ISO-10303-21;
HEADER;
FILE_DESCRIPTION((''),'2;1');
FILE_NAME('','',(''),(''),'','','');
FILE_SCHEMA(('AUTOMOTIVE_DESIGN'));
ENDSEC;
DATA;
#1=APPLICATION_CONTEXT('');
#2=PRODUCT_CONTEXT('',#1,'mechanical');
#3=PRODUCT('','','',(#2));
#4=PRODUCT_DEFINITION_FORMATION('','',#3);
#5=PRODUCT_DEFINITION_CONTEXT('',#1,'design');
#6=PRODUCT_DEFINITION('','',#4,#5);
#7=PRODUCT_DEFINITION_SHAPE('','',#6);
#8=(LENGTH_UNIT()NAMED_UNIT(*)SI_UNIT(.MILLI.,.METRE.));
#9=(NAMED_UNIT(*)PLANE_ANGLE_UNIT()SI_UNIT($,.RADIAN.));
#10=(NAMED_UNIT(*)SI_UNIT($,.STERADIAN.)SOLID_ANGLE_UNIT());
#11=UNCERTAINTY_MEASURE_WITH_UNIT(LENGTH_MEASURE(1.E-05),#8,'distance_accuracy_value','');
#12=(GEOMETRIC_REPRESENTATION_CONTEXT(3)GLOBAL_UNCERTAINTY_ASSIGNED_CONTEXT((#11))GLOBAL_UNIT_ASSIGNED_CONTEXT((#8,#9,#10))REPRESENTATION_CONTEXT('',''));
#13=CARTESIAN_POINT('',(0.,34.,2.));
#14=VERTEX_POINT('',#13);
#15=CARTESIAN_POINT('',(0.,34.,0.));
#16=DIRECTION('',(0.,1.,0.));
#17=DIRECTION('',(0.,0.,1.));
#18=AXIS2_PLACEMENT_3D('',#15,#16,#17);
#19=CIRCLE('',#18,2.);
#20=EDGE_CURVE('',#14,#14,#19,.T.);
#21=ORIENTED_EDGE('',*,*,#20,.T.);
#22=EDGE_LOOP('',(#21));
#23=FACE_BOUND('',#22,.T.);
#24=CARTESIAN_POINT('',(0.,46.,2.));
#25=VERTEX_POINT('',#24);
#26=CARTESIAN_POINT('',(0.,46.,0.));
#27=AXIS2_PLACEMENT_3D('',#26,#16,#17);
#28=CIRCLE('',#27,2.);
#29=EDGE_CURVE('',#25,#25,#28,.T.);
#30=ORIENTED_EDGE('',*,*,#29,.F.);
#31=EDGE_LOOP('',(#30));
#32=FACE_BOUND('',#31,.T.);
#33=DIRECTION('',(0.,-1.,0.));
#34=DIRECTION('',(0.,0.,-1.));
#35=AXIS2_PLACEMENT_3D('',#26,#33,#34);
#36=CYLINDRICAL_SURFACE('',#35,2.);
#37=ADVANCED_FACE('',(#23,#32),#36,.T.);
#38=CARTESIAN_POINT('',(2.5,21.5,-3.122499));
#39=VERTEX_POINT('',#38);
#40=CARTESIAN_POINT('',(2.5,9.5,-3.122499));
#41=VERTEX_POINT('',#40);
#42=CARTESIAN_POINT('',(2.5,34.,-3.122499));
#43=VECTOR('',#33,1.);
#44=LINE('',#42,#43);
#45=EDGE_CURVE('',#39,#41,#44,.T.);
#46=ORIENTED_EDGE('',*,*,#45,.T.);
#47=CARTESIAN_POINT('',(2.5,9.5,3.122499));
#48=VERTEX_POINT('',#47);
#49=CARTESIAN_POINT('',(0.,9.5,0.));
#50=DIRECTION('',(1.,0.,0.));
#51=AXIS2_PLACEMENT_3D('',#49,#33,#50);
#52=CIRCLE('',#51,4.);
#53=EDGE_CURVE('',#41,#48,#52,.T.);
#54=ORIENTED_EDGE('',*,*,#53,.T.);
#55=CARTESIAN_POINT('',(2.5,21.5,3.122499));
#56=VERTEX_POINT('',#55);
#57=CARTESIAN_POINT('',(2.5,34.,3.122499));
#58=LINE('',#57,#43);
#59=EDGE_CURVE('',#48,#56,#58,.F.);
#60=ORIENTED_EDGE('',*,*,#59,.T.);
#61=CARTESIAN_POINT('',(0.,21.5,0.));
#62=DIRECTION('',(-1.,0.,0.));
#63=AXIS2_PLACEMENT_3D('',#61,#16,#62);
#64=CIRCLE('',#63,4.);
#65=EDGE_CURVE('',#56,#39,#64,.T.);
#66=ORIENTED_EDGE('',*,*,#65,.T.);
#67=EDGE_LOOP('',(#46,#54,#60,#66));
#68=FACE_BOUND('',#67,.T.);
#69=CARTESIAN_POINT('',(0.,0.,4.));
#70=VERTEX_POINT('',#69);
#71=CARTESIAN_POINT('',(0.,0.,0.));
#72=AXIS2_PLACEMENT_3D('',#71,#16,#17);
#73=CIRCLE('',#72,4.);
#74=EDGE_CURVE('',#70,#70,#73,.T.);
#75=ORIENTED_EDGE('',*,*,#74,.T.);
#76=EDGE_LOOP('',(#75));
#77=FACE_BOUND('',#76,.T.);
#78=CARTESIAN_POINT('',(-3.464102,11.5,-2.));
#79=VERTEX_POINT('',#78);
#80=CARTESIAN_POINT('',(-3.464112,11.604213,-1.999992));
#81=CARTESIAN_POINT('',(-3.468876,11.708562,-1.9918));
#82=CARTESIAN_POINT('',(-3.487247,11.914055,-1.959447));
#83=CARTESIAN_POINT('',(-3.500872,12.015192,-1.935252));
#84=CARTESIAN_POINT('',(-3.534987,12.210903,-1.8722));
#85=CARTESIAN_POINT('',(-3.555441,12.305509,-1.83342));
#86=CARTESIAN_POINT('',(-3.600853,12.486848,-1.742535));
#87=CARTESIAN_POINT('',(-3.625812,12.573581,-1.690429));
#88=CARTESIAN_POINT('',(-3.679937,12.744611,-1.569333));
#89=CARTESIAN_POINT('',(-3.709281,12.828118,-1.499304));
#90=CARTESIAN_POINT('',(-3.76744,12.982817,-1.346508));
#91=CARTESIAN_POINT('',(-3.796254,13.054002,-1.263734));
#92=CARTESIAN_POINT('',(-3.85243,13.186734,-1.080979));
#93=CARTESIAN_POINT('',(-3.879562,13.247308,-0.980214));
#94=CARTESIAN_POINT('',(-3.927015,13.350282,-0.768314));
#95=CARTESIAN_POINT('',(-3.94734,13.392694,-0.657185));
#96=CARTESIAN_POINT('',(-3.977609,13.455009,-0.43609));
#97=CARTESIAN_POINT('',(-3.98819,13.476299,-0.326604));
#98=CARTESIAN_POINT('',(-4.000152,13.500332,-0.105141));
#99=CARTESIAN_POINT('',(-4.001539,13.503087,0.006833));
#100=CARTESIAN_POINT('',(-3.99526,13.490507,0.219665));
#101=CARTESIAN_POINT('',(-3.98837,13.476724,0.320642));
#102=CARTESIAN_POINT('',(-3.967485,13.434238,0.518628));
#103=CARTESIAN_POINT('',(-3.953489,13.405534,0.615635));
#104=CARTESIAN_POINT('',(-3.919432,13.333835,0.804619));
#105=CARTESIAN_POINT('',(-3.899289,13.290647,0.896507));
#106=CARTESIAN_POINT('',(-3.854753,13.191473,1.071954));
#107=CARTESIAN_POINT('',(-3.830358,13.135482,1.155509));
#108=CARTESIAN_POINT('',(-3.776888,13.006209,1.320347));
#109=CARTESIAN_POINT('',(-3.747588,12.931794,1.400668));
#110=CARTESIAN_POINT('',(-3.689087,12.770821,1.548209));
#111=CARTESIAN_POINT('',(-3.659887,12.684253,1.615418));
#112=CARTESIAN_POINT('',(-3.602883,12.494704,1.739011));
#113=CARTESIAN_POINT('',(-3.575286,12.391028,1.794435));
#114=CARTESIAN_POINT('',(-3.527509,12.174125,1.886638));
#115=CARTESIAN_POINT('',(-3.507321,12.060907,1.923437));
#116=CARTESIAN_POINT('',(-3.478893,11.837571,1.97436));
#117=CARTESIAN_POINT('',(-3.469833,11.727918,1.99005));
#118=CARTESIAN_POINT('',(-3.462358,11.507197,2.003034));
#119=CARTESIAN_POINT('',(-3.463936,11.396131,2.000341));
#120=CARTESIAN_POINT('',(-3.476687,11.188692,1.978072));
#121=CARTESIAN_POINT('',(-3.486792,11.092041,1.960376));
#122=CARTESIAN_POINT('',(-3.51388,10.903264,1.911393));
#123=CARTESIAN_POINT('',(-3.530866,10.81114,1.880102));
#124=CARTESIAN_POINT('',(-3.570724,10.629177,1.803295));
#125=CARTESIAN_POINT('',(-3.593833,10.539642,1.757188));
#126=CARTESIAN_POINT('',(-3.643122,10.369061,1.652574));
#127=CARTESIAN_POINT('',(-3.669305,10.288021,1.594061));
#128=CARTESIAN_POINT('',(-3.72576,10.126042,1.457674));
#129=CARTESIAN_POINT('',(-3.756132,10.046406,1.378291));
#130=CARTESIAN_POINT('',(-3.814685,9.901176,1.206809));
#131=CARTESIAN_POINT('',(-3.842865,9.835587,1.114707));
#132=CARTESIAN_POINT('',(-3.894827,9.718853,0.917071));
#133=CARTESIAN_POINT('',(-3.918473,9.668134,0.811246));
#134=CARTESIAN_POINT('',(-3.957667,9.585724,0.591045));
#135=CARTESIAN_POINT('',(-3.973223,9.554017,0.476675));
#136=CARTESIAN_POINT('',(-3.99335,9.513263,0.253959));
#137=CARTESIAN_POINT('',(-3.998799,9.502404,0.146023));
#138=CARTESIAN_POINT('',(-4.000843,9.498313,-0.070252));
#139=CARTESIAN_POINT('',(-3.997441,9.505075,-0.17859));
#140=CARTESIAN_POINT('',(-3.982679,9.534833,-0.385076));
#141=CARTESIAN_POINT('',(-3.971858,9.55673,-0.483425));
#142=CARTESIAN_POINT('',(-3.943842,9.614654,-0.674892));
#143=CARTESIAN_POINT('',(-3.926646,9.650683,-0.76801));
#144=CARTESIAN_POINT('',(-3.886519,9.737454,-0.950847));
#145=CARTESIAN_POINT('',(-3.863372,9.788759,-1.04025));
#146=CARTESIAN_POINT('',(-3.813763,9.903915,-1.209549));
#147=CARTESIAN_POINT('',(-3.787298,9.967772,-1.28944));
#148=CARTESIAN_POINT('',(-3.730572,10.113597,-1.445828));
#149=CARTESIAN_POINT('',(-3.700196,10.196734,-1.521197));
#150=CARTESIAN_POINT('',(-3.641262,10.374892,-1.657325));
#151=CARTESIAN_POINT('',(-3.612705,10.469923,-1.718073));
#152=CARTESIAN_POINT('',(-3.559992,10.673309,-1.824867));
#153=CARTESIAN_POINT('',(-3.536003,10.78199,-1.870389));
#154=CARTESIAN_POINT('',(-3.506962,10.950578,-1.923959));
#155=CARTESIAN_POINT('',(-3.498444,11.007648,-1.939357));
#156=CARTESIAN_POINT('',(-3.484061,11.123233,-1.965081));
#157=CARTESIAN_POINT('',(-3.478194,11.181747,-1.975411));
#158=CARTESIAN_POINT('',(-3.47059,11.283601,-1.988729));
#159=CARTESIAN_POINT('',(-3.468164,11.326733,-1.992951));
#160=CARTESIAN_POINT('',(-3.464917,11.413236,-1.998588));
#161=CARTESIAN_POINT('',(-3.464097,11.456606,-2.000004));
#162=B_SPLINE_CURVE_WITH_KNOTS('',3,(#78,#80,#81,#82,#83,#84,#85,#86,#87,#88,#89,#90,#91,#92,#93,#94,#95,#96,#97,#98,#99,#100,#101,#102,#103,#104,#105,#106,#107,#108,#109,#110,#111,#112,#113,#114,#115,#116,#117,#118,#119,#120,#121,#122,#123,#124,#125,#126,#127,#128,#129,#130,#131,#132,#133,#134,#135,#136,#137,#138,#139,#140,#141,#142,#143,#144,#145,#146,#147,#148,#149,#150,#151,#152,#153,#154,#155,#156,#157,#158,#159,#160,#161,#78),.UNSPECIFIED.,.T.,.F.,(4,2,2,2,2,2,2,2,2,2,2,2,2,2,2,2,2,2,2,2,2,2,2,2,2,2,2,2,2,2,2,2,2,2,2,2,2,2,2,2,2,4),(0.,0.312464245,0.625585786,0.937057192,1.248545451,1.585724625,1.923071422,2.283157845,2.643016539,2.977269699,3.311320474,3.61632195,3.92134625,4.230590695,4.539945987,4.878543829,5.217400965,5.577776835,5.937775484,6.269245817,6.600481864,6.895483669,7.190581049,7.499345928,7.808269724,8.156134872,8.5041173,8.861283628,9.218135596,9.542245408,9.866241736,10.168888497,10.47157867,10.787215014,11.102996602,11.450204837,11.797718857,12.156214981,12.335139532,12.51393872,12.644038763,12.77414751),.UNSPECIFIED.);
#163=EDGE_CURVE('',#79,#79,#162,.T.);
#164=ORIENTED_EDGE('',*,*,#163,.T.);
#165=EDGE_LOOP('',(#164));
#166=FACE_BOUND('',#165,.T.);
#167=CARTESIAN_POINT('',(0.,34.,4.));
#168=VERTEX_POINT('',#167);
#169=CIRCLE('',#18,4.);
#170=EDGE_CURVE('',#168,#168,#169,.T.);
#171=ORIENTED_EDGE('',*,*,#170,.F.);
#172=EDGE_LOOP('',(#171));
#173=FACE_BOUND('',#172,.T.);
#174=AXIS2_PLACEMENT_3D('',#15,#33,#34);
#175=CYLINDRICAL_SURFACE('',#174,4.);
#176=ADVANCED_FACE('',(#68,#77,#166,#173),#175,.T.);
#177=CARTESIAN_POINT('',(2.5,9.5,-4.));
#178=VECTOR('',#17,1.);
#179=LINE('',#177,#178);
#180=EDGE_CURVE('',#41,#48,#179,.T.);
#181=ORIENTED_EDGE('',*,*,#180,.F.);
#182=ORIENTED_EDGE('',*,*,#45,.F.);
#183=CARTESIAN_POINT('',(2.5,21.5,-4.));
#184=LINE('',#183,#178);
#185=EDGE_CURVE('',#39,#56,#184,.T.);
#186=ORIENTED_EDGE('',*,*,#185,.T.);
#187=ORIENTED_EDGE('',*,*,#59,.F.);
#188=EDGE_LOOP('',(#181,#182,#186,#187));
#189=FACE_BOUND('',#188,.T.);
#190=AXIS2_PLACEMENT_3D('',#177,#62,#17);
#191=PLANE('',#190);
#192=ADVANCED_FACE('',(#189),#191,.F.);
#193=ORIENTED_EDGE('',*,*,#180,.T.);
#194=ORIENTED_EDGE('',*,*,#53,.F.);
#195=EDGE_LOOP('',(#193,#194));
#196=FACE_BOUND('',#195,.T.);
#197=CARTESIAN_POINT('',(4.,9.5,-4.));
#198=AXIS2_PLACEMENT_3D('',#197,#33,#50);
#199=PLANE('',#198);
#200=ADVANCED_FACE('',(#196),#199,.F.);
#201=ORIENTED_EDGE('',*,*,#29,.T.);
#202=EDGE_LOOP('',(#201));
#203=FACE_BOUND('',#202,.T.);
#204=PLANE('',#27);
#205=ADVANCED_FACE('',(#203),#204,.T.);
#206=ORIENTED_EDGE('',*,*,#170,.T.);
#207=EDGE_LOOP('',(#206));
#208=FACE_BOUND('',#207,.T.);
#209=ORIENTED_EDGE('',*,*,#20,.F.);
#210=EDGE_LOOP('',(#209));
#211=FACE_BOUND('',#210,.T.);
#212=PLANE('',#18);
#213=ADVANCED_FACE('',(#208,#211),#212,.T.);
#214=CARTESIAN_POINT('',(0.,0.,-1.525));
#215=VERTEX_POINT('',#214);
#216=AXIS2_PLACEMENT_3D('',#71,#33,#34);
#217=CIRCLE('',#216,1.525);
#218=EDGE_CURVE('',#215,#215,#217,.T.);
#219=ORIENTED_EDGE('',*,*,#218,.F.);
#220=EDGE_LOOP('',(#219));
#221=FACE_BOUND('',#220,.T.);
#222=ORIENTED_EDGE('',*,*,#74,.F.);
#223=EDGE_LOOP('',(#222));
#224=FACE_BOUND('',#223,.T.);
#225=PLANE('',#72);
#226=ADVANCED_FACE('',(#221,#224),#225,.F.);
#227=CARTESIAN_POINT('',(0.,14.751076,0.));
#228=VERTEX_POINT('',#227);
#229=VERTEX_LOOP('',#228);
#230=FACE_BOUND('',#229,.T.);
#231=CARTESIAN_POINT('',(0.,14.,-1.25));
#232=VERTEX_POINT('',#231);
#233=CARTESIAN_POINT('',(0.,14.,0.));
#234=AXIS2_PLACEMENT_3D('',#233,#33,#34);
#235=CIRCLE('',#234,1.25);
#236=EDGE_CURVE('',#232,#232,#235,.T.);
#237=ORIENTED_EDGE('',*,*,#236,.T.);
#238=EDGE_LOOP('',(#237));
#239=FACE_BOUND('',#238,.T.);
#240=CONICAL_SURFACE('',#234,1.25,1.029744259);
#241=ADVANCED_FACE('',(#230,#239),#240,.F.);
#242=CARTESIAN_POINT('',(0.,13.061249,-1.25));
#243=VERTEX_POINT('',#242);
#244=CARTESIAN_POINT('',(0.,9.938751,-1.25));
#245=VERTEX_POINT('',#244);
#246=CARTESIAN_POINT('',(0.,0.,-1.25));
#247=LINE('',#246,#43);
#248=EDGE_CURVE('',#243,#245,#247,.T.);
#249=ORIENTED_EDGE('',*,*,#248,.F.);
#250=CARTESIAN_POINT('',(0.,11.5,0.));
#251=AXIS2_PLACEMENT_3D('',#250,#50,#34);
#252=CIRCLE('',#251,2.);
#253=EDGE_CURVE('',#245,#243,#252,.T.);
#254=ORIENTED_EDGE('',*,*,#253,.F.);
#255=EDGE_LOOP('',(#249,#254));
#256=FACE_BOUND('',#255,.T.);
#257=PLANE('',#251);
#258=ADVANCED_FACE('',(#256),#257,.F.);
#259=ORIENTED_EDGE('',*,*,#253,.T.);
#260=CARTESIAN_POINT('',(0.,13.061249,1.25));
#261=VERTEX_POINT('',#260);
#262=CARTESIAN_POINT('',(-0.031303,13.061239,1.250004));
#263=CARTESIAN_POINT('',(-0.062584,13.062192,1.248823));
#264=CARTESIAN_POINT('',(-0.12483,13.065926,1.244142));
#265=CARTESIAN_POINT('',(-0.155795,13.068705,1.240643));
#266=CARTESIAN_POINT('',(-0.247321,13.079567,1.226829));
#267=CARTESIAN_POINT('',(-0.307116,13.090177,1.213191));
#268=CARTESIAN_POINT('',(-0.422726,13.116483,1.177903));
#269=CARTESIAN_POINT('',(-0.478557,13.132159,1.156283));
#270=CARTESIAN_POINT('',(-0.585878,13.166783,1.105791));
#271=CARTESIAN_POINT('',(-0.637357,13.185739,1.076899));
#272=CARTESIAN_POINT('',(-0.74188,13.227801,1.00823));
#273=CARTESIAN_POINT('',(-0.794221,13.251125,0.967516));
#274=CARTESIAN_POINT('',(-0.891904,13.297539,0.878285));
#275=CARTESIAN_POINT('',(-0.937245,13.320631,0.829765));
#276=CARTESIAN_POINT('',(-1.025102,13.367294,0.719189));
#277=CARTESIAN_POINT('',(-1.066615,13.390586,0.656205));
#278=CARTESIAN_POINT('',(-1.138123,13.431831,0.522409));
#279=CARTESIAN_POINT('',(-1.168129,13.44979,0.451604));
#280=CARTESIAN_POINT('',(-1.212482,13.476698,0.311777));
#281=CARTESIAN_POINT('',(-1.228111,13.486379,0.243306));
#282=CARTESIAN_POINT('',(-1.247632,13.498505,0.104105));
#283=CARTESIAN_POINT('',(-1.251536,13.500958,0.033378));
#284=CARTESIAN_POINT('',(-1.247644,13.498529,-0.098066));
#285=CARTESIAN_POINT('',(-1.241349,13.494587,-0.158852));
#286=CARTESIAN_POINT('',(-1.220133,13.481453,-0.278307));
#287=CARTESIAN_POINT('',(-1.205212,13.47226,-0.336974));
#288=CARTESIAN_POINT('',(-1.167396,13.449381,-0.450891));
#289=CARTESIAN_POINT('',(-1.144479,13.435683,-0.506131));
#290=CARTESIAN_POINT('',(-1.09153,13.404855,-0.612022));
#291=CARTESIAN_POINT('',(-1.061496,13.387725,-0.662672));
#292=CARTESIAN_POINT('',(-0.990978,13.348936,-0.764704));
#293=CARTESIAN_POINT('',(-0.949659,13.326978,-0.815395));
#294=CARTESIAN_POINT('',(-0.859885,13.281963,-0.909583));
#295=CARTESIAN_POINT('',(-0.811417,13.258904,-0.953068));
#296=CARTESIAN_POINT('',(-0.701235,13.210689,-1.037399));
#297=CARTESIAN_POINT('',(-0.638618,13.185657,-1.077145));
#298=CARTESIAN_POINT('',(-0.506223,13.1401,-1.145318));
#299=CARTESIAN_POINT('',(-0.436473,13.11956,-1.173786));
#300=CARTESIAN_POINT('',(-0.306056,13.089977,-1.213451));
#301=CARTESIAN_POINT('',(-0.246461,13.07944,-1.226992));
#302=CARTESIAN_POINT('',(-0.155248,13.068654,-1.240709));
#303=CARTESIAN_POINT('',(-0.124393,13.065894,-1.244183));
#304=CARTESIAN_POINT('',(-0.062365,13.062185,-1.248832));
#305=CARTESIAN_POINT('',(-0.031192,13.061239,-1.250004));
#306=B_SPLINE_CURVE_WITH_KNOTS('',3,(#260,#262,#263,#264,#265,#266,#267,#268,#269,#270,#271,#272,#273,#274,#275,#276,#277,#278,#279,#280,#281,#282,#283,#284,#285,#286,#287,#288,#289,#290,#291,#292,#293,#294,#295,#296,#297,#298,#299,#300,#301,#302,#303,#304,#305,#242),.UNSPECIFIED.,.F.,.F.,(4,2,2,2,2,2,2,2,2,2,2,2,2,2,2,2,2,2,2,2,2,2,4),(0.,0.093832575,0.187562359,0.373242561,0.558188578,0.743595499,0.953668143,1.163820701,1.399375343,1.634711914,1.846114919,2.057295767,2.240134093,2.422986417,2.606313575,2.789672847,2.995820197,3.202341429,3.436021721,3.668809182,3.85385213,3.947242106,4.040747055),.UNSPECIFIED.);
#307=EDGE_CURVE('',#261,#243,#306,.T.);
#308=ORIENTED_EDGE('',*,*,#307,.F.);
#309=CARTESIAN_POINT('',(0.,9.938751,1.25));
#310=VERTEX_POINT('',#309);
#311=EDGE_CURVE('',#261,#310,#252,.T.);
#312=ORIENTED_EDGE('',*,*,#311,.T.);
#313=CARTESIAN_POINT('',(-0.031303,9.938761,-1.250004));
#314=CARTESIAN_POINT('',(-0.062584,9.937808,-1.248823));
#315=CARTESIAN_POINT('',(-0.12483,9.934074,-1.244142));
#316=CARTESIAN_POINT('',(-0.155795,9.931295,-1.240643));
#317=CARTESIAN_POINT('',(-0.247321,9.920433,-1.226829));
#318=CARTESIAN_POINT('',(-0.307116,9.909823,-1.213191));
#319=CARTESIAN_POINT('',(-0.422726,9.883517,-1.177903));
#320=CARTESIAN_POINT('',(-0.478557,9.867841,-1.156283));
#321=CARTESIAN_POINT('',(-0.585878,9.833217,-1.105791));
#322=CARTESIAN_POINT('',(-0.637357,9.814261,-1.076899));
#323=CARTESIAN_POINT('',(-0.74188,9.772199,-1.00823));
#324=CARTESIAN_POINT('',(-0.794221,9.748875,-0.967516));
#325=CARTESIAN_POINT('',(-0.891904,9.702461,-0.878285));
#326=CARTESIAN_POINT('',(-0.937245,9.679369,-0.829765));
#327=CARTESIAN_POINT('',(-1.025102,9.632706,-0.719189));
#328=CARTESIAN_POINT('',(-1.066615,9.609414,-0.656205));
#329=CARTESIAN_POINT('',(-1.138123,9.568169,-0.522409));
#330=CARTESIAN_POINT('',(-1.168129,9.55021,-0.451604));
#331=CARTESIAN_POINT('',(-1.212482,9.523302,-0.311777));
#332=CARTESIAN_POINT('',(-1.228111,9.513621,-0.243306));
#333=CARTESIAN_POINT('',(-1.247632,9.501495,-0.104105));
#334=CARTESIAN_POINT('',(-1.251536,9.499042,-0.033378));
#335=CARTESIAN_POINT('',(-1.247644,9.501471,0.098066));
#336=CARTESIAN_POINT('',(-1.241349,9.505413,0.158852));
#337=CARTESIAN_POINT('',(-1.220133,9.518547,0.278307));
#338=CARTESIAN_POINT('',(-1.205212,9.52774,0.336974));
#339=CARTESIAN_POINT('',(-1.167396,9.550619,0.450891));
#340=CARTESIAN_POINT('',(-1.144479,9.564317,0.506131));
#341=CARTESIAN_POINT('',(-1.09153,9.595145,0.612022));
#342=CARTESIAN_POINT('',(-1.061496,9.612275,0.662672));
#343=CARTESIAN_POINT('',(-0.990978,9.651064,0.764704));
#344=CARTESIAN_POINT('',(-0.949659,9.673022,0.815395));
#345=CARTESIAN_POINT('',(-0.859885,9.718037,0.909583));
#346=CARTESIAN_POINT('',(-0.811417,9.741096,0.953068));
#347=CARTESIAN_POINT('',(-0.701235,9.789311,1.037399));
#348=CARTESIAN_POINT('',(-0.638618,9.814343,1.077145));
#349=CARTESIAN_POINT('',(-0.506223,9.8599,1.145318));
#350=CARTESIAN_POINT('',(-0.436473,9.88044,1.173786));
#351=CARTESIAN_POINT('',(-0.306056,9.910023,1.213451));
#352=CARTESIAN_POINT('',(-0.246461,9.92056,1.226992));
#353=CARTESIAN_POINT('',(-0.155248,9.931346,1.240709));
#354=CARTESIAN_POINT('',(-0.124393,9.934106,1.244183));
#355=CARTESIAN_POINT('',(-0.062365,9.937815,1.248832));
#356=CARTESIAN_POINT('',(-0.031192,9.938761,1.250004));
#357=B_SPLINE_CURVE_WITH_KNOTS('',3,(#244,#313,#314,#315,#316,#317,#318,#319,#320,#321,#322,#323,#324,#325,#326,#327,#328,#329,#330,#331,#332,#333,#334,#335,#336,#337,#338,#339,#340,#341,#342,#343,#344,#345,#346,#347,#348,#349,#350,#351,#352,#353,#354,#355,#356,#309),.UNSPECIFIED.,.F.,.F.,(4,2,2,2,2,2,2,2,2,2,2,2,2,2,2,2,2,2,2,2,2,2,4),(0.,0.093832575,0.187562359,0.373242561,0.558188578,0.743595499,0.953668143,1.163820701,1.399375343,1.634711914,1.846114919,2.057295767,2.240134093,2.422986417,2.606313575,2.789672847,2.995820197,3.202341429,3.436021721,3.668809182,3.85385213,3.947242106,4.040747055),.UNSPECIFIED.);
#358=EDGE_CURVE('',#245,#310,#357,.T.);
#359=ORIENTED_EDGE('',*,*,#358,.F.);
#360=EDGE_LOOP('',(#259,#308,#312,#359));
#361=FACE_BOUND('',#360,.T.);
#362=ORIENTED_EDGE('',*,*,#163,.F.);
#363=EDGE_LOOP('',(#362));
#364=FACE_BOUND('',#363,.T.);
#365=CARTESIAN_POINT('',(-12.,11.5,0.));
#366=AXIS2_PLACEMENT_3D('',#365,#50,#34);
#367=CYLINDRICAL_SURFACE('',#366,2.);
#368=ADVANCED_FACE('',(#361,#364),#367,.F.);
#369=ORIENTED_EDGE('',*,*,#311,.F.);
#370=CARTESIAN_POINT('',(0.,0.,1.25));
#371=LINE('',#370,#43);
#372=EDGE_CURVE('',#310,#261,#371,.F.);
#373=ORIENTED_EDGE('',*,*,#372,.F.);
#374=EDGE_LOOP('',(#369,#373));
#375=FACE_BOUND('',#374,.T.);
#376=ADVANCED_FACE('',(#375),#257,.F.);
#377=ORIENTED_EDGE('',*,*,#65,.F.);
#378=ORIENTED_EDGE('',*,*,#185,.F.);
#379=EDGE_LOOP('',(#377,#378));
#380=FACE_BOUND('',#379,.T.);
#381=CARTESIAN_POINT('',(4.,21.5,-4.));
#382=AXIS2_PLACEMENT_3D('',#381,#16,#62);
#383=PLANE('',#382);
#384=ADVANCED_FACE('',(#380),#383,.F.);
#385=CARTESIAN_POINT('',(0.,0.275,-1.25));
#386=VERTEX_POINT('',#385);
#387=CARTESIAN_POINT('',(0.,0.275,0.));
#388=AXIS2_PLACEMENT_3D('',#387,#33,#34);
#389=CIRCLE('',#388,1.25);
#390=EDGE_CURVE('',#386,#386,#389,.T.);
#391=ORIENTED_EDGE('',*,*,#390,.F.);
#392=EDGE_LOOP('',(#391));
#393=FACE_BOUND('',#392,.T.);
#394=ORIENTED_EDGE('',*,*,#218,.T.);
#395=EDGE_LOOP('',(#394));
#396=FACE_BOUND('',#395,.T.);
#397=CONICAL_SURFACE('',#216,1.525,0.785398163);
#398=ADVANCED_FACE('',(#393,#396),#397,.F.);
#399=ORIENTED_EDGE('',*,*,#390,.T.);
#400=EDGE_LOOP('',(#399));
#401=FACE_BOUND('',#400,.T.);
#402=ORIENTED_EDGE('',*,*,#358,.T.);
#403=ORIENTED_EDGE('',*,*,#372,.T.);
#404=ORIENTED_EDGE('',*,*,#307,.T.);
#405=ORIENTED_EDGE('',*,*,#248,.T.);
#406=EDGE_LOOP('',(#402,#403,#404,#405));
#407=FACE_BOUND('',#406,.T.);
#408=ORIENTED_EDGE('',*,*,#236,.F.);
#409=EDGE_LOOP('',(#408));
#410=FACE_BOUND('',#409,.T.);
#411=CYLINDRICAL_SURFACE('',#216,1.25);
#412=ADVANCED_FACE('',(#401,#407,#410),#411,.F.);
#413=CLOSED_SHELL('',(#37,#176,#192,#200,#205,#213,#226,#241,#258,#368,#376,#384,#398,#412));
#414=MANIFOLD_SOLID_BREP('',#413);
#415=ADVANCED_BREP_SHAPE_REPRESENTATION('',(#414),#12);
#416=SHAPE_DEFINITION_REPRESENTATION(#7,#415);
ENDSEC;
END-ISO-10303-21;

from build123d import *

# Parameters (mm, degrees)
SKETCH1_R                   = 4
BOSS_EXTRUDE1_DEPTH         = 34
SKETCH2_R                   = 2
BOSS_EXTRUDE2_DEPTH         = 12
SKETCH3_W                   = 1.5
SKETCH3_H                   = 12
CUT_EXTRUDE1_DEPTH          = 5
CUT_EXTRUDE1_DEPTH_BACK     = 5
M3_TAPPED_HOLE1_D           = 2.5
M3_TAPPED_HOLE1_DEPTH       = 14
M3_TAPPED_HOLE1_CSINK_D     = 3.05
M3_TAPPED_HOLE1_CSINK_ANGLE = 90
M3_TAPPED_HOLE1_TIP         = 0.751075774
SKETCH7_R                   = 2
CUT_EXTRUDE2_DEPTH          = 12


with BuildPart() as part:
    # Sketch1 → Boss-Extrude1 (new body)
    with BuildSketch(Plane(origin=(0, 0, 0), x_dir=(1, 0, 0), z_dir=(0, 1, 0))):
        Circle(SKETCH1_R)
    extrude(amount=BOSS_EXTRUDE1_DEPTH)

    # Sketch2 → Boss-Extrude2 (add)
    with BuildSketch(Plane(origin=(0, 34, 0), x_dir=(1, 0, 0), z_dir=(0, 1, 0))):
        Circle(SKETCH2_R)
    extrude(amount=BOSS_EXTRUDE2_DEPTH)

    # Sketch3 → Cut-Extrude1 (cut, two sides)
    with BuildSketch(Plane.XY) as cut_extrude1_sk:
        with Locations((3.25, 15.5)):
            Rectangle(SKETCH3_W, SKETCH3_H)
    extrude(amount=CUT_EXTRUDE1_DEPTH, mode=Mode.SUBTRACT)
    extrude(cut_extrude1_sk.sketch, amount=-CUT_EXTRUDE1_DEPTH_BACK, mode=Mode.SUBTRACT)

    # M3 Tapped Hole1
    with Locations(Plane(origin=(0, 0, 0), x_dir=(-1, 0, 0), z_dir=(0, -1, 0))):
        with Locations((0, 0)):
            CounterSinkHole(M3_TAPPED_HOLE1_D / 2, M3_TAPPED_HOLE1_CSINK_D / 2, depth=M3_TAPPED_HOLE1_DEPTH, counter_sink_angle=M3_TAPPED_HOLE1_CSINK_ANGLE)
            with Locations((0, 0, -(M3_TAPPED_HOLE1_DEPTH + M3_TAPPED_HOLE1_TIP / 2))):  # 118° drill point
                Cone(0, M3_TAPPED_HOLE1_D / 2, M3_TAPPED_HOLE1_TIP, mode=Mode.SUBTRACT)

    # Sketch7 → Cut-Extrude2 (cut)
    with BuildSketch(Plane(origin=(0, 0, 0), x_dir=(0, 0, -1), z_dir=(1, 0, 0))):
        with Locations((0, 11.5)):
            Circle(SKETCH7_R)
    extrude(amount=-CUT_EXTRUDE2_DEPTH, mode=Mode.SUBTRACT)


solid = part.part
